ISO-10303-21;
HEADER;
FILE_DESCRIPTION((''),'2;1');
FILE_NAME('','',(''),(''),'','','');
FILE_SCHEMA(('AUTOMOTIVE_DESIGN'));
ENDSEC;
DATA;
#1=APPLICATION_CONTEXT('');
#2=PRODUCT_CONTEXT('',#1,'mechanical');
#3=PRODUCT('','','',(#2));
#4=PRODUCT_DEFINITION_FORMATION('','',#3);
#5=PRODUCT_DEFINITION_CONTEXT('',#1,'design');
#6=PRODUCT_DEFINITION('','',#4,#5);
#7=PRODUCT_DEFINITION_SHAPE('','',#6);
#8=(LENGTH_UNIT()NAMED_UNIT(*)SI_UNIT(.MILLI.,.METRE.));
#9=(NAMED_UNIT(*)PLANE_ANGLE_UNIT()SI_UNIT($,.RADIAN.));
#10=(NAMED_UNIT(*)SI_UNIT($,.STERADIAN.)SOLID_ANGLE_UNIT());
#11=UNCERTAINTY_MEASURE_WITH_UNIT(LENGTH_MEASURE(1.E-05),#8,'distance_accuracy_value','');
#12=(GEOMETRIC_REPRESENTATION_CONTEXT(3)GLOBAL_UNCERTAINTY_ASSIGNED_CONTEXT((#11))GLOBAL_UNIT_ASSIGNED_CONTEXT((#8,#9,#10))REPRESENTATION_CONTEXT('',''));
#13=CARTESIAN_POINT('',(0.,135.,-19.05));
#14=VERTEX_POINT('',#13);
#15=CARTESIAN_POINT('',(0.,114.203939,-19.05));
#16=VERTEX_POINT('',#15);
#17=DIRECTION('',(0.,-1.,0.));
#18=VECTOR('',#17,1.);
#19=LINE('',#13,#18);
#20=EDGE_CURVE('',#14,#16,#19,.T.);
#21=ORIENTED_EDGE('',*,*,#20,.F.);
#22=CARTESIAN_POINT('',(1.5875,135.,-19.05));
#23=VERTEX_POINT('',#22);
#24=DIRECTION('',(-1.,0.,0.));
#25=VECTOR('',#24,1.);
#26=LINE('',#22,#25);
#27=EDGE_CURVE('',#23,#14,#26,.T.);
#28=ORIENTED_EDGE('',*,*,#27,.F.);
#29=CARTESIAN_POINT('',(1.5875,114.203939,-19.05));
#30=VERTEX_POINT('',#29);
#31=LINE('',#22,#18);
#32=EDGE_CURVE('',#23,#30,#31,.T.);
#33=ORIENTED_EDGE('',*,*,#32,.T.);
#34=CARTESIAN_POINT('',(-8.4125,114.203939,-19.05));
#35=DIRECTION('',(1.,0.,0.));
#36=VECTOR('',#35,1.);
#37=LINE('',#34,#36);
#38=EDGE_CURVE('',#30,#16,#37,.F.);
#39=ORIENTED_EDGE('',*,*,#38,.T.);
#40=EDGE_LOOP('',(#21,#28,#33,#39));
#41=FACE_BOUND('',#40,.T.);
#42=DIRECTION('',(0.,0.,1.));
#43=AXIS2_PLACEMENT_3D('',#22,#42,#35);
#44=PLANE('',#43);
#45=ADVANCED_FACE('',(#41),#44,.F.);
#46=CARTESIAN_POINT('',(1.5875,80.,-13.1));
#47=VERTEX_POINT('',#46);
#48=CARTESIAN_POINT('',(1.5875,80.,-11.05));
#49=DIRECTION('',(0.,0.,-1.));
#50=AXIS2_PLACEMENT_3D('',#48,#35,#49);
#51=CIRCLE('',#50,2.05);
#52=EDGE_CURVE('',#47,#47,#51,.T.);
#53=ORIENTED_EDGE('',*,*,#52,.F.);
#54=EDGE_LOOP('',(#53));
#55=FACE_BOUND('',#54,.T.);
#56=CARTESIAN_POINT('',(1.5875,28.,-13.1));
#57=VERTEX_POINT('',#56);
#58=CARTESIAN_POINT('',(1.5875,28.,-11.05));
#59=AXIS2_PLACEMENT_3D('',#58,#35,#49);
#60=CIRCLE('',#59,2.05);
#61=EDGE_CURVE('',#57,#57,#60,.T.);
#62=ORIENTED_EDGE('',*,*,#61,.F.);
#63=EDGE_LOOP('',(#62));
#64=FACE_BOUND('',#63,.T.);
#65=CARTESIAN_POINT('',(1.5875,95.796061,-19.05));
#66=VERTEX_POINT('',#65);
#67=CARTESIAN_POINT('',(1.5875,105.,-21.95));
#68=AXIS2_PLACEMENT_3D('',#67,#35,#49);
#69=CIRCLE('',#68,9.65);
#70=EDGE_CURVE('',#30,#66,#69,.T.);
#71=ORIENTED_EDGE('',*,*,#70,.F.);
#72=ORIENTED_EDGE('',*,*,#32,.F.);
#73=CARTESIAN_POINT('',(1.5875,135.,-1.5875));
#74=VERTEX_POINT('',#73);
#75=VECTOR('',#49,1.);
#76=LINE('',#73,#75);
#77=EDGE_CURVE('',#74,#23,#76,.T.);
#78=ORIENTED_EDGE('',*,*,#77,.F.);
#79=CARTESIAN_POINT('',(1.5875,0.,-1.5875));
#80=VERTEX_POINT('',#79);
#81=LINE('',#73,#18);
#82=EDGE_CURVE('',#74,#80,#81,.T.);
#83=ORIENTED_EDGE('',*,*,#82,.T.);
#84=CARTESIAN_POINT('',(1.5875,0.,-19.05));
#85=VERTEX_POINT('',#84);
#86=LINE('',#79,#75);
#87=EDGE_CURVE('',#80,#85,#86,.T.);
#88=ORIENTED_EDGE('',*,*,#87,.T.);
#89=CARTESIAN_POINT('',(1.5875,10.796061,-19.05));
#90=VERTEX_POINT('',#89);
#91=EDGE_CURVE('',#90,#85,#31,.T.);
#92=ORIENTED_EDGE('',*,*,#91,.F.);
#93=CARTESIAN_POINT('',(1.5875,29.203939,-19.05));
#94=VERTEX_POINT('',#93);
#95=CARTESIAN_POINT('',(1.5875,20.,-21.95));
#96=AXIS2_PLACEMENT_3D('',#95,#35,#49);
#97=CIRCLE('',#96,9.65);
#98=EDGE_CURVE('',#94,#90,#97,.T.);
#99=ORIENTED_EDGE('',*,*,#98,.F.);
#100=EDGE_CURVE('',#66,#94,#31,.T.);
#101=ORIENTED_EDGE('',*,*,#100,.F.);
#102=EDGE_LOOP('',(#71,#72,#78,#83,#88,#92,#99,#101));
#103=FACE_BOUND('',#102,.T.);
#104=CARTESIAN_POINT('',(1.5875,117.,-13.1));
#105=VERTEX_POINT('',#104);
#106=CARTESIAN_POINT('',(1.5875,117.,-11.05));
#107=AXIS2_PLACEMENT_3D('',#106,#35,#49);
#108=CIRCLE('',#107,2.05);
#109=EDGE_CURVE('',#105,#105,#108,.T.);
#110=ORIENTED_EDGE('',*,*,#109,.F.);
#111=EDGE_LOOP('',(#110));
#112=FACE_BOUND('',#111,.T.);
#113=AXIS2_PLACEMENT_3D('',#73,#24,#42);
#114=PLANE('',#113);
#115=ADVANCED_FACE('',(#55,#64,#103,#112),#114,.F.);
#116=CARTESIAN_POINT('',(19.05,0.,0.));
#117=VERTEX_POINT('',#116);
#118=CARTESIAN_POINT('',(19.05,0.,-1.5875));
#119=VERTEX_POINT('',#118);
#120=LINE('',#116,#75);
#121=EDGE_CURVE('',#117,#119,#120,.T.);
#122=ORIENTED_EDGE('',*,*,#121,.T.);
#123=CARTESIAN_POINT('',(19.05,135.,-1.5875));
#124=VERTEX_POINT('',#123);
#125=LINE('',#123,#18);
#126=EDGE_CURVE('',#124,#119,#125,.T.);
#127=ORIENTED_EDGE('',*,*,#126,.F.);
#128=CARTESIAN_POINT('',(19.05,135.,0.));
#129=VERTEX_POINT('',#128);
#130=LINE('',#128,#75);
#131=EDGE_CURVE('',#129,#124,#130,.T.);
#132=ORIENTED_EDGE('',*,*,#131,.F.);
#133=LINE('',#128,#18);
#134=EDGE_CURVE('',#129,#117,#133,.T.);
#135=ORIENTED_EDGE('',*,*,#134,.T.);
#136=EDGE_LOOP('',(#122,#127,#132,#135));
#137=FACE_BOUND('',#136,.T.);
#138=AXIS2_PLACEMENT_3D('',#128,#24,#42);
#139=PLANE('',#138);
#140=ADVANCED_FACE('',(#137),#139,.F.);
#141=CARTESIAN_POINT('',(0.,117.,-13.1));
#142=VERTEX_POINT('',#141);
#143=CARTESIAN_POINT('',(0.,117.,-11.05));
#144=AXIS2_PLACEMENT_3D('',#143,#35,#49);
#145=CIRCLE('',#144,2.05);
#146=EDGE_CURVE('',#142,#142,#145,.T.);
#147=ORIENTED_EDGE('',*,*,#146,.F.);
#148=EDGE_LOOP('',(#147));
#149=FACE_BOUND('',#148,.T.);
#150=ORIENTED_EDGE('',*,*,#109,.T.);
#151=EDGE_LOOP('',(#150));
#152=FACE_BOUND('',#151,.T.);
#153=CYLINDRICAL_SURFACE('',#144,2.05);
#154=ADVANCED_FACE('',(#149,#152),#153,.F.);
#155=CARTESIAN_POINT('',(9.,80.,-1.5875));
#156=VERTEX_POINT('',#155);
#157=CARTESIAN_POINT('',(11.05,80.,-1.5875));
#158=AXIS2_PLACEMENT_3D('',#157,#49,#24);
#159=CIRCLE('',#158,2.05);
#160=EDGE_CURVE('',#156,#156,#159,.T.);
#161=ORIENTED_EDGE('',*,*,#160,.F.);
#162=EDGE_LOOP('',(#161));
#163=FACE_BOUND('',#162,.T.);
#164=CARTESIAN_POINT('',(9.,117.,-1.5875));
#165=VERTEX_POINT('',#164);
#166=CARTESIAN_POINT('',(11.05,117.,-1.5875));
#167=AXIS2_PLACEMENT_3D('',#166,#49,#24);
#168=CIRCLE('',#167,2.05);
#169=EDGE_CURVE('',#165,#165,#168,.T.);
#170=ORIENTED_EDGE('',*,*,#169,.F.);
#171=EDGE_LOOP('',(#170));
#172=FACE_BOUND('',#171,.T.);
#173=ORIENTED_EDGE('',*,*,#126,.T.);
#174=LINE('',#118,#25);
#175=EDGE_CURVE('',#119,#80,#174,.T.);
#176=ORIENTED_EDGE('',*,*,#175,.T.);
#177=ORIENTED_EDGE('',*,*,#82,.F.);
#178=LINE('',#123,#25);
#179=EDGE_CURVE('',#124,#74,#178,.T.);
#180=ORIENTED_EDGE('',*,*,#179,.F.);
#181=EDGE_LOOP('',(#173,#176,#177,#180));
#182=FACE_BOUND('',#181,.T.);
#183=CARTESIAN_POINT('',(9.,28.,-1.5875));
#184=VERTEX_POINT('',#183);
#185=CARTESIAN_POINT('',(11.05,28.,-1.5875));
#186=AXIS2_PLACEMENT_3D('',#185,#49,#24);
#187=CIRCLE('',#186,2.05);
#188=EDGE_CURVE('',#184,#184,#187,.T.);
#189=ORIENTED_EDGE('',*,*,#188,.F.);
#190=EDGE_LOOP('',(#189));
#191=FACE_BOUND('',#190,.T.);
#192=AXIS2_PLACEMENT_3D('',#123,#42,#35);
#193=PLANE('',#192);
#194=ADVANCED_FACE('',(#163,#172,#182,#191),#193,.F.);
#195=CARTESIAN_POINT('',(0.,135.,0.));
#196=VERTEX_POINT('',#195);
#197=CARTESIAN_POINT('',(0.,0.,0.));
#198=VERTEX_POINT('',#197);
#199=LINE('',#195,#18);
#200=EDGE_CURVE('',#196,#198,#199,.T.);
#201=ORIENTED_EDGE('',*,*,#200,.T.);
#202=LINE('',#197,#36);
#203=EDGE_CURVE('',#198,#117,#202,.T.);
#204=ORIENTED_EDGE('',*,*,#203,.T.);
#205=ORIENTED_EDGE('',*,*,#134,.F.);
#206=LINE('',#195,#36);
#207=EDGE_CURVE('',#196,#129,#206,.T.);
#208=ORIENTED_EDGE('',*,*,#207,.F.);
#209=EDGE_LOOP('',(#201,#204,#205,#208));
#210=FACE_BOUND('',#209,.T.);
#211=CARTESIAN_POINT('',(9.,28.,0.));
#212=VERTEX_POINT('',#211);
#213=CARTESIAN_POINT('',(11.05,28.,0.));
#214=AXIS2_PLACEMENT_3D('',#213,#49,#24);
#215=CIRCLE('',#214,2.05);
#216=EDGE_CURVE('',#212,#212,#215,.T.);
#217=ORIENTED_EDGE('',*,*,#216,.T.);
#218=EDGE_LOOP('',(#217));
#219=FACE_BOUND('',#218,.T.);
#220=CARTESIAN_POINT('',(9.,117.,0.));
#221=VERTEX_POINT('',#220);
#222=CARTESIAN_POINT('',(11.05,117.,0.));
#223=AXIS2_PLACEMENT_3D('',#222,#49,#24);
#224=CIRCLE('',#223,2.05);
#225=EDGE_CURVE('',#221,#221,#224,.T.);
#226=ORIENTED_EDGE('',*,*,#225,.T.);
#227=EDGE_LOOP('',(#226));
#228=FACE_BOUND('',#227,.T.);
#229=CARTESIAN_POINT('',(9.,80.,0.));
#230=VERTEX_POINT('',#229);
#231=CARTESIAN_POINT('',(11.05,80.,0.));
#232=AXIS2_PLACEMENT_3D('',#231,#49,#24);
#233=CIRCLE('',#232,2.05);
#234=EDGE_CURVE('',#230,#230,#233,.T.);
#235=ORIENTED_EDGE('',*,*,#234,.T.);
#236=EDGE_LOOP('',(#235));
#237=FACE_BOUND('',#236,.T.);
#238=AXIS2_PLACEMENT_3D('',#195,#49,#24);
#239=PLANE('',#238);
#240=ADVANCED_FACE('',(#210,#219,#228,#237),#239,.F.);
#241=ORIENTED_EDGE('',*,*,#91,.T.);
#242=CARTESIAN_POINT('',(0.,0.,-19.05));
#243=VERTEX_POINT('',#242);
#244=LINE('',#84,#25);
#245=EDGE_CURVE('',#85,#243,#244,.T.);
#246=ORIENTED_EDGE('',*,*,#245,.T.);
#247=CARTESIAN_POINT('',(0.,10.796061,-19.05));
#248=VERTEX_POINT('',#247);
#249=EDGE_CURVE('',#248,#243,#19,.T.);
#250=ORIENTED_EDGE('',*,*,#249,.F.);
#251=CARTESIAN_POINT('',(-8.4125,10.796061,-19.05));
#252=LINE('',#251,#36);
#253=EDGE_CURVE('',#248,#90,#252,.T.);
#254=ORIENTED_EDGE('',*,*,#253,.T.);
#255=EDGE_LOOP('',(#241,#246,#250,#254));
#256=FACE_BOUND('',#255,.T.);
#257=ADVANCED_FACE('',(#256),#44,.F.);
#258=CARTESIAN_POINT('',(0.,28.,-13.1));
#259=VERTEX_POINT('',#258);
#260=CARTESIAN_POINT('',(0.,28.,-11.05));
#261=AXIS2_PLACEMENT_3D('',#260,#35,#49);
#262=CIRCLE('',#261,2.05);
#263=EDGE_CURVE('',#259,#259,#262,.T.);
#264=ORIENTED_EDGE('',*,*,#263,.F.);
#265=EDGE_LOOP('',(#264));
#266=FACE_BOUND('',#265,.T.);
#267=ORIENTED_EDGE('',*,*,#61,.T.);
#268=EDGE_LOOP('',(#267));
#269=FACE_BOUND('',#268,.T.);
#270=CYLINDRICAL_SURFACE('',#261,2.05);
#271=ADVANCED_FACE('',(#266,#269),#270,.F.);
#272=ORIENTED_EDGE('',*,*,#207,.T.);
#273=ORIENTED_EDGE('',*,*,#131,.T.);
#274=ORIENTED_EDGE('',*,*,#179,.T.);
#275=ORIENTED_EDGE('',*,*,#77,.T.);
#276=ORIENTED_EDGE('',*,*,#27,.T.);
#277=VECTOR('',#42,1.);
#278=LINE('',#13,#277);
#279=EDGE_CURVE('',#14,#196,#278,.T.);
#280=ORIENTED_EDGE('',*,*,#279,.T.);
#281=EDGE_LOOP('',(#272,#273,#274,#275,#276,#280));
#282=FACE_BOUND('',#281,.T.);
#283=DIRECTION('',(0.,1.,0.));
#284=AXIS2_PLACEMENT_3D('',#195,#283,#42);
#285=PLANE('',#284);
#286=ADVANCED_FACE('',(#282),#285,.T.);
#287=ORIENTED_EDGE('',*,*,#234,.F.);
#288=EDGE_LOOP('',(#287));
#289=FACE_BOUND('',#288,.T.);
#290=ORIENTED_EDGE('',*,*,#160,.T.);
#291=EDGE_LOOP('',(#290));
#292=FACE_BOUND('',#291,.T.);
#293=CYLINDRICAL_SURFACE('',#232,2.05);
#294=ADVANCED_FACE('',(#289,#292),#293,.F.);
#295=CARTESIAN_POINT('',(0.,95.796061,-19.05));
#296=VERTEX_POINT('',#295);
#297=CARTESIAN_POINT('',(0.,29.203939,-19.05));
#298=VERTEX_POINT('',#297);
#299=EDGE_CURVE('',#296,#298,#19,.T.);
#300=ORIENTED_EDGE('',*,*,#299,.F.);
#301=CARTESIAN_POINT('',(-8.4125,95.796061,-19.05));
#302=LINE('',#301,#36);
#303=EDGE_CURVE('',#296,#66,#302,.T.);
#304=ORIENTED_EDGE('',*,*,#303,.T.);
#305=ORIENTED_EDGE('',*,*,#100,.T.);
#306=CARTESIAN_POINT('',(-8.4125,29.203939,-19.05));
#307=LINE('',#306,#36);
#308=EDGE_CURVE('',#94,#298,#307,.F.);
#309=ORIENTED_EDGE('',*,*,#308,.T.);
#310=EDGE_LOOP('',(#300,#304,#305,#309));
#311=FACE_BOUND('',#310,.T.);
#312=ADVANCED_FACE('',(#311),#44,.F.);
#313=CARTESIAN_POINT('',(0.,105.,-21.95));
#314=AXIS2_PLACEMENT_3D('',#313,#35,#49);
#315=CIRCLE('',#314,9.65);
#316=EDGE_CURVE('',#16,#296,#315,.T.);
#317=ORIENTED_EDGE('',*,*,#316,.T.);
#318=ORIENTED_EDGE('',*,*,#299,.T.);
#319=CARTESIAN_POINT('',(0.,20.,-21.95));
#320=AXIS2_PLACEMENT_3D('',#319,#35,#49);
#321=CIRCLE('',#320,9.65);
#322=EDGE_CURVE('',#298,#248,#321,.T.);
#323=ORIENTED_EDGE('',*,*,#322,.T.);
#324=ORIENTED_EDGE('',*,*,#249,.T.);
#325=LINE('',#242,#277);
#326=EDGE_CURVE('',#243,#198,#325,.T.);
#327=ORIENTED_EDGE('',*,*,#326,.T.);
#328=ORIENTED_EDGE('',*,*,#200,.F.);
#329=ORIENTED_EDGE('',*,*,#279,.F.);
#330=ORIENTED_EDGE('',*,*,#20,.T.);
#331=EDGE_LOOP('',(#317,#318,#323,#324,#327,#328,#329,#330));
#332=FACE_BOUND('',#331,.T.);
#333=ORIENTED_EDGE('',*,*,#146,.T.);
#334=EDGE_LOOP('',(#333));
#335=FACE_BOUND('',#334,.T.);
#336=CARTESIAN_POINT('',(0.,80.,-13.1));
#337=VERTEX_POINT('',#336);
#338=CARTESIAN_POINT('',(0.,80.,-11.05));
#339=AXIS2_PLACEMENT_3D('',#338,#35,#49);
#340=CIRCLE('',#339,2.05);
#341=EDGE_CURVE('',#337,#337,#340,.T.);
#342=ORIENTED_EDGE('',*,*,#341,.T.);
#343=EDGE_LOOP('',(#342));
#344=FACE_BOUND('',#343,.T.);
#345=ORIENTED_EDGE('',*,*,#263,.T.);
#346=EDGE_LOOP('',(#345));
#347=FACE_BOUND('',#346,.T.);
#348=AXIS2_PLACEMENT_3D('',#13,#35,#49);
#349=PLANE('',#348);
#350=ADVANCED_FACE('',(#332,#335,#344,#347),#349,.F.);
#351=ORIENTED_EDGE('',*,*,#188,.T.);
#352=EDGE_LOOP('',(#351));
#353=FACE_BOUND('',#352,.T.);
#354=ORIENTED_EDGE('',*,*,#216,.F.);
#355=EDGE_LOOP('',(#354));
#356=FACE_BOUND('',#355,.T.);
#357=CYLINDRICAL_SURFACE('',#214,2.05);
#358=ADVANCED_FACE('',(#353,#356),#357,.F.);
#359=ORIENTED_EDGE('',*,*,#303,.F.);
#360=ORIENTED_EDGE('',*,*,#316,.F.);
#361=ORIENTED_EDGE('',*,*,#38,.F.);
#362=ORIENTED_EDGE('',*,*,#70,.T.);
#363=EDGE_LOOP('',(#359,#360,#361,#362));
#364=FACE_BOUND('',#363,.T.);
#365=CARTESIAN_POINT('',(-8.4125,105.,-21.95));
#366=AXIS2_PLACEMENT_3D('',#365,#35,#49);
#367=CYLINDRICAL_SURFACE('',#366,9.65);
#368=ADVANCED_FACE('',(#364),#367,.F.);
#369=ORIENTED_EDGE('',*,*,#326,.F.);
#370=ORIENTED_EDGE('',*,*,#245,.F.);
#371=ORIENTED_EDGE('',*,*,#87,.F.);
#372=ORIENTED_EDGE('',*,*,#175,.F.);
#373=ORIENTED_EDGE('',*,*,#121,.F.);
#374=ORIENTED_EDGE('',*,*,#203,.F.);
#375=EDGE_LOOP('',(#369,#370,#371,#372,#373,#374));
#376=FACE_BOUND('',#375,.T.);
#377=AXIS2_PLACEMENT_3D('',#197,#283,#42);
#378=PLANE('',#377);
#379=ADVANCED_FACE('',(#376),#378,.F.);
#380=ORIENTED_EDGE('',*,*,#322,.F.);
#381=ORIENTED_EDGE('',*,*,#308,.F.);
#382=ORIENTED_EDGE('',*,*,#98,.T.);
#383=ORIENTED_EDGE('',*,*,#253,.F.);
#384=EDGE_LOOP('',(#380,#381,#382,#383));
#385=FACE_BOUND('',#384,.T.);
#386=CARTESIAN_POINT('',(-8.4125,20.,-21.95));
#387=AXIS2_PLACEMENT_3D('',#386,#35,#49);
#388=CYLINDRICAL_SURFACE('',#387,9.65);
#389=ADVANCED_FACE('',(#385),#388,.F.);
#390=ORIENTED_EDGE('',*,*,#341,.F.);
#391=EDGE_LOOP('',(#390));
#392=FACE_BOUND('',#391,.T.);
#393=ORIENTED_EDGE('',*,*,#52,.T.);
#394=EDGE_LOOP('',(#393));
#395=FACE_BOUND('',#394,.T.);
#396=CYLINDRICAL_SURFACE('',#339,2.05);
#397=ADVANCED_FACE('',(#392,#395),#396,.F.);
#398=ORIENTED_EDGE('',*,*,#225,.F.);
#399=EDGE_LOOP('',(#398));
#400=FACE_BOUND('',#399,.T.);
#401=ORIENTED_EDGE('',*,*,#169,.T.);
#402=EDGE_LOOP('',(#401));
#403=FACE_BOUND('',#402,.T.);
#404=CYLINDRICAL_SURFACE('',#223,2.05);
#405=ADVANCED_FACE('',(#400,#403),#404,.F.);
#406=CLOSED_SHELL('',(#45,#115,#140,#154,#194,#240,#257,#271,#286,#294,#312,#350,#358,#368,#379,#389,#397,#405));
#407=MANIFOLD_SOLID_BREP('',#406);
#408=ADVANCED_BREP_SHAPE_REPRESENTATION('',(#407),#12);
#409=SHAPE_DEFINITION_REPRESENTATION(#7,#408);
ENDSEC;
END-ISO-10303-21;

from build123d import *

# Parameters (mm, degrees)
BOSS_EXTRUDE1_DEPTH = 135
SKETCH2_R           = 2.05
CUT_EXTRUDE1_DEPTH  = 138.451232829
SKETCH3_R           = 2.05
CUT_EXTRUDE2_DEPTH  = 138.451232829
SKETCH6_R           = 9.65
CUT_EXTRUDE5_DEPTH  = 10


with BuildPart() as part:
    # Sketch1 → Boss-Extrude1 (new body)
    with BuildSketch(Plane(origin=(0, 0, 0), x_dir=(1, 0, 0), z_dir=(0, 1, 0))):
        Polygon((0, 0), (19.05, 0), (19.05, 1.5875), (1.5875, 1.5875), (1.5875, 19.05), (0, 19.05), align=None)
    extrude(amount=BOSS_EXTRUDE1_DEPTH)

    # Sketch2 → Cut-Extrude1 (cut, through all)
    with BuildSketch(Plane(origin=(1.5875, 0, 0), x_dir=(0, 0, -1), z_dir=(1, 0, 0))):
        with Locations((11.05, 117)):
            Circle(SKETCH2_R)
        with Locations((11.05, 80)):
            Circle(SKETCH2_R)
        with Locations((11.05, 28)):
            Circle(SKETCH2_R)
    extrude(amount=-CUT_EXTRUDE1_DEPTH, mode=Mode.SUBTRACT)

    # Sketch3 → Cut-Extrude2 (cut, through all)
    with BuildSketch(Plane(origin=(0, 0, -1.5875), x_dir=(-1, 0, 0), z_dir=(0, 0, -1))):
        with Locations((-11.05, 117)):
            Circle(SKETCH3_R)
        with Locations((-11.05, 80)):
            Circle(SKETCH3_R)
        with Locations((-11.05, 28)):
            Circle(SKETCH3_R)
    extrude(amount=-CUT_EXTRUDE2_DEPTH, mode=Mode.SUBTRACT)

    # Sketch6 → Cut-Extrude5 (cut)
    with BuildSketch(Plane(origin=(1.5875, 0, 0), x_dir=(0, 0, -1), z_dir=(1, 0, 0))):
        with Locations((21.95, 105)):
            Circle(SKETCH6_R)
        with Locations((21.95, 20)):
            Circle(SKETCH6_R)
    extrude(amount=-CUT_EXTRUDE5_DEPTH, mode=Mode.SUBTRACT)


solid = part.part
